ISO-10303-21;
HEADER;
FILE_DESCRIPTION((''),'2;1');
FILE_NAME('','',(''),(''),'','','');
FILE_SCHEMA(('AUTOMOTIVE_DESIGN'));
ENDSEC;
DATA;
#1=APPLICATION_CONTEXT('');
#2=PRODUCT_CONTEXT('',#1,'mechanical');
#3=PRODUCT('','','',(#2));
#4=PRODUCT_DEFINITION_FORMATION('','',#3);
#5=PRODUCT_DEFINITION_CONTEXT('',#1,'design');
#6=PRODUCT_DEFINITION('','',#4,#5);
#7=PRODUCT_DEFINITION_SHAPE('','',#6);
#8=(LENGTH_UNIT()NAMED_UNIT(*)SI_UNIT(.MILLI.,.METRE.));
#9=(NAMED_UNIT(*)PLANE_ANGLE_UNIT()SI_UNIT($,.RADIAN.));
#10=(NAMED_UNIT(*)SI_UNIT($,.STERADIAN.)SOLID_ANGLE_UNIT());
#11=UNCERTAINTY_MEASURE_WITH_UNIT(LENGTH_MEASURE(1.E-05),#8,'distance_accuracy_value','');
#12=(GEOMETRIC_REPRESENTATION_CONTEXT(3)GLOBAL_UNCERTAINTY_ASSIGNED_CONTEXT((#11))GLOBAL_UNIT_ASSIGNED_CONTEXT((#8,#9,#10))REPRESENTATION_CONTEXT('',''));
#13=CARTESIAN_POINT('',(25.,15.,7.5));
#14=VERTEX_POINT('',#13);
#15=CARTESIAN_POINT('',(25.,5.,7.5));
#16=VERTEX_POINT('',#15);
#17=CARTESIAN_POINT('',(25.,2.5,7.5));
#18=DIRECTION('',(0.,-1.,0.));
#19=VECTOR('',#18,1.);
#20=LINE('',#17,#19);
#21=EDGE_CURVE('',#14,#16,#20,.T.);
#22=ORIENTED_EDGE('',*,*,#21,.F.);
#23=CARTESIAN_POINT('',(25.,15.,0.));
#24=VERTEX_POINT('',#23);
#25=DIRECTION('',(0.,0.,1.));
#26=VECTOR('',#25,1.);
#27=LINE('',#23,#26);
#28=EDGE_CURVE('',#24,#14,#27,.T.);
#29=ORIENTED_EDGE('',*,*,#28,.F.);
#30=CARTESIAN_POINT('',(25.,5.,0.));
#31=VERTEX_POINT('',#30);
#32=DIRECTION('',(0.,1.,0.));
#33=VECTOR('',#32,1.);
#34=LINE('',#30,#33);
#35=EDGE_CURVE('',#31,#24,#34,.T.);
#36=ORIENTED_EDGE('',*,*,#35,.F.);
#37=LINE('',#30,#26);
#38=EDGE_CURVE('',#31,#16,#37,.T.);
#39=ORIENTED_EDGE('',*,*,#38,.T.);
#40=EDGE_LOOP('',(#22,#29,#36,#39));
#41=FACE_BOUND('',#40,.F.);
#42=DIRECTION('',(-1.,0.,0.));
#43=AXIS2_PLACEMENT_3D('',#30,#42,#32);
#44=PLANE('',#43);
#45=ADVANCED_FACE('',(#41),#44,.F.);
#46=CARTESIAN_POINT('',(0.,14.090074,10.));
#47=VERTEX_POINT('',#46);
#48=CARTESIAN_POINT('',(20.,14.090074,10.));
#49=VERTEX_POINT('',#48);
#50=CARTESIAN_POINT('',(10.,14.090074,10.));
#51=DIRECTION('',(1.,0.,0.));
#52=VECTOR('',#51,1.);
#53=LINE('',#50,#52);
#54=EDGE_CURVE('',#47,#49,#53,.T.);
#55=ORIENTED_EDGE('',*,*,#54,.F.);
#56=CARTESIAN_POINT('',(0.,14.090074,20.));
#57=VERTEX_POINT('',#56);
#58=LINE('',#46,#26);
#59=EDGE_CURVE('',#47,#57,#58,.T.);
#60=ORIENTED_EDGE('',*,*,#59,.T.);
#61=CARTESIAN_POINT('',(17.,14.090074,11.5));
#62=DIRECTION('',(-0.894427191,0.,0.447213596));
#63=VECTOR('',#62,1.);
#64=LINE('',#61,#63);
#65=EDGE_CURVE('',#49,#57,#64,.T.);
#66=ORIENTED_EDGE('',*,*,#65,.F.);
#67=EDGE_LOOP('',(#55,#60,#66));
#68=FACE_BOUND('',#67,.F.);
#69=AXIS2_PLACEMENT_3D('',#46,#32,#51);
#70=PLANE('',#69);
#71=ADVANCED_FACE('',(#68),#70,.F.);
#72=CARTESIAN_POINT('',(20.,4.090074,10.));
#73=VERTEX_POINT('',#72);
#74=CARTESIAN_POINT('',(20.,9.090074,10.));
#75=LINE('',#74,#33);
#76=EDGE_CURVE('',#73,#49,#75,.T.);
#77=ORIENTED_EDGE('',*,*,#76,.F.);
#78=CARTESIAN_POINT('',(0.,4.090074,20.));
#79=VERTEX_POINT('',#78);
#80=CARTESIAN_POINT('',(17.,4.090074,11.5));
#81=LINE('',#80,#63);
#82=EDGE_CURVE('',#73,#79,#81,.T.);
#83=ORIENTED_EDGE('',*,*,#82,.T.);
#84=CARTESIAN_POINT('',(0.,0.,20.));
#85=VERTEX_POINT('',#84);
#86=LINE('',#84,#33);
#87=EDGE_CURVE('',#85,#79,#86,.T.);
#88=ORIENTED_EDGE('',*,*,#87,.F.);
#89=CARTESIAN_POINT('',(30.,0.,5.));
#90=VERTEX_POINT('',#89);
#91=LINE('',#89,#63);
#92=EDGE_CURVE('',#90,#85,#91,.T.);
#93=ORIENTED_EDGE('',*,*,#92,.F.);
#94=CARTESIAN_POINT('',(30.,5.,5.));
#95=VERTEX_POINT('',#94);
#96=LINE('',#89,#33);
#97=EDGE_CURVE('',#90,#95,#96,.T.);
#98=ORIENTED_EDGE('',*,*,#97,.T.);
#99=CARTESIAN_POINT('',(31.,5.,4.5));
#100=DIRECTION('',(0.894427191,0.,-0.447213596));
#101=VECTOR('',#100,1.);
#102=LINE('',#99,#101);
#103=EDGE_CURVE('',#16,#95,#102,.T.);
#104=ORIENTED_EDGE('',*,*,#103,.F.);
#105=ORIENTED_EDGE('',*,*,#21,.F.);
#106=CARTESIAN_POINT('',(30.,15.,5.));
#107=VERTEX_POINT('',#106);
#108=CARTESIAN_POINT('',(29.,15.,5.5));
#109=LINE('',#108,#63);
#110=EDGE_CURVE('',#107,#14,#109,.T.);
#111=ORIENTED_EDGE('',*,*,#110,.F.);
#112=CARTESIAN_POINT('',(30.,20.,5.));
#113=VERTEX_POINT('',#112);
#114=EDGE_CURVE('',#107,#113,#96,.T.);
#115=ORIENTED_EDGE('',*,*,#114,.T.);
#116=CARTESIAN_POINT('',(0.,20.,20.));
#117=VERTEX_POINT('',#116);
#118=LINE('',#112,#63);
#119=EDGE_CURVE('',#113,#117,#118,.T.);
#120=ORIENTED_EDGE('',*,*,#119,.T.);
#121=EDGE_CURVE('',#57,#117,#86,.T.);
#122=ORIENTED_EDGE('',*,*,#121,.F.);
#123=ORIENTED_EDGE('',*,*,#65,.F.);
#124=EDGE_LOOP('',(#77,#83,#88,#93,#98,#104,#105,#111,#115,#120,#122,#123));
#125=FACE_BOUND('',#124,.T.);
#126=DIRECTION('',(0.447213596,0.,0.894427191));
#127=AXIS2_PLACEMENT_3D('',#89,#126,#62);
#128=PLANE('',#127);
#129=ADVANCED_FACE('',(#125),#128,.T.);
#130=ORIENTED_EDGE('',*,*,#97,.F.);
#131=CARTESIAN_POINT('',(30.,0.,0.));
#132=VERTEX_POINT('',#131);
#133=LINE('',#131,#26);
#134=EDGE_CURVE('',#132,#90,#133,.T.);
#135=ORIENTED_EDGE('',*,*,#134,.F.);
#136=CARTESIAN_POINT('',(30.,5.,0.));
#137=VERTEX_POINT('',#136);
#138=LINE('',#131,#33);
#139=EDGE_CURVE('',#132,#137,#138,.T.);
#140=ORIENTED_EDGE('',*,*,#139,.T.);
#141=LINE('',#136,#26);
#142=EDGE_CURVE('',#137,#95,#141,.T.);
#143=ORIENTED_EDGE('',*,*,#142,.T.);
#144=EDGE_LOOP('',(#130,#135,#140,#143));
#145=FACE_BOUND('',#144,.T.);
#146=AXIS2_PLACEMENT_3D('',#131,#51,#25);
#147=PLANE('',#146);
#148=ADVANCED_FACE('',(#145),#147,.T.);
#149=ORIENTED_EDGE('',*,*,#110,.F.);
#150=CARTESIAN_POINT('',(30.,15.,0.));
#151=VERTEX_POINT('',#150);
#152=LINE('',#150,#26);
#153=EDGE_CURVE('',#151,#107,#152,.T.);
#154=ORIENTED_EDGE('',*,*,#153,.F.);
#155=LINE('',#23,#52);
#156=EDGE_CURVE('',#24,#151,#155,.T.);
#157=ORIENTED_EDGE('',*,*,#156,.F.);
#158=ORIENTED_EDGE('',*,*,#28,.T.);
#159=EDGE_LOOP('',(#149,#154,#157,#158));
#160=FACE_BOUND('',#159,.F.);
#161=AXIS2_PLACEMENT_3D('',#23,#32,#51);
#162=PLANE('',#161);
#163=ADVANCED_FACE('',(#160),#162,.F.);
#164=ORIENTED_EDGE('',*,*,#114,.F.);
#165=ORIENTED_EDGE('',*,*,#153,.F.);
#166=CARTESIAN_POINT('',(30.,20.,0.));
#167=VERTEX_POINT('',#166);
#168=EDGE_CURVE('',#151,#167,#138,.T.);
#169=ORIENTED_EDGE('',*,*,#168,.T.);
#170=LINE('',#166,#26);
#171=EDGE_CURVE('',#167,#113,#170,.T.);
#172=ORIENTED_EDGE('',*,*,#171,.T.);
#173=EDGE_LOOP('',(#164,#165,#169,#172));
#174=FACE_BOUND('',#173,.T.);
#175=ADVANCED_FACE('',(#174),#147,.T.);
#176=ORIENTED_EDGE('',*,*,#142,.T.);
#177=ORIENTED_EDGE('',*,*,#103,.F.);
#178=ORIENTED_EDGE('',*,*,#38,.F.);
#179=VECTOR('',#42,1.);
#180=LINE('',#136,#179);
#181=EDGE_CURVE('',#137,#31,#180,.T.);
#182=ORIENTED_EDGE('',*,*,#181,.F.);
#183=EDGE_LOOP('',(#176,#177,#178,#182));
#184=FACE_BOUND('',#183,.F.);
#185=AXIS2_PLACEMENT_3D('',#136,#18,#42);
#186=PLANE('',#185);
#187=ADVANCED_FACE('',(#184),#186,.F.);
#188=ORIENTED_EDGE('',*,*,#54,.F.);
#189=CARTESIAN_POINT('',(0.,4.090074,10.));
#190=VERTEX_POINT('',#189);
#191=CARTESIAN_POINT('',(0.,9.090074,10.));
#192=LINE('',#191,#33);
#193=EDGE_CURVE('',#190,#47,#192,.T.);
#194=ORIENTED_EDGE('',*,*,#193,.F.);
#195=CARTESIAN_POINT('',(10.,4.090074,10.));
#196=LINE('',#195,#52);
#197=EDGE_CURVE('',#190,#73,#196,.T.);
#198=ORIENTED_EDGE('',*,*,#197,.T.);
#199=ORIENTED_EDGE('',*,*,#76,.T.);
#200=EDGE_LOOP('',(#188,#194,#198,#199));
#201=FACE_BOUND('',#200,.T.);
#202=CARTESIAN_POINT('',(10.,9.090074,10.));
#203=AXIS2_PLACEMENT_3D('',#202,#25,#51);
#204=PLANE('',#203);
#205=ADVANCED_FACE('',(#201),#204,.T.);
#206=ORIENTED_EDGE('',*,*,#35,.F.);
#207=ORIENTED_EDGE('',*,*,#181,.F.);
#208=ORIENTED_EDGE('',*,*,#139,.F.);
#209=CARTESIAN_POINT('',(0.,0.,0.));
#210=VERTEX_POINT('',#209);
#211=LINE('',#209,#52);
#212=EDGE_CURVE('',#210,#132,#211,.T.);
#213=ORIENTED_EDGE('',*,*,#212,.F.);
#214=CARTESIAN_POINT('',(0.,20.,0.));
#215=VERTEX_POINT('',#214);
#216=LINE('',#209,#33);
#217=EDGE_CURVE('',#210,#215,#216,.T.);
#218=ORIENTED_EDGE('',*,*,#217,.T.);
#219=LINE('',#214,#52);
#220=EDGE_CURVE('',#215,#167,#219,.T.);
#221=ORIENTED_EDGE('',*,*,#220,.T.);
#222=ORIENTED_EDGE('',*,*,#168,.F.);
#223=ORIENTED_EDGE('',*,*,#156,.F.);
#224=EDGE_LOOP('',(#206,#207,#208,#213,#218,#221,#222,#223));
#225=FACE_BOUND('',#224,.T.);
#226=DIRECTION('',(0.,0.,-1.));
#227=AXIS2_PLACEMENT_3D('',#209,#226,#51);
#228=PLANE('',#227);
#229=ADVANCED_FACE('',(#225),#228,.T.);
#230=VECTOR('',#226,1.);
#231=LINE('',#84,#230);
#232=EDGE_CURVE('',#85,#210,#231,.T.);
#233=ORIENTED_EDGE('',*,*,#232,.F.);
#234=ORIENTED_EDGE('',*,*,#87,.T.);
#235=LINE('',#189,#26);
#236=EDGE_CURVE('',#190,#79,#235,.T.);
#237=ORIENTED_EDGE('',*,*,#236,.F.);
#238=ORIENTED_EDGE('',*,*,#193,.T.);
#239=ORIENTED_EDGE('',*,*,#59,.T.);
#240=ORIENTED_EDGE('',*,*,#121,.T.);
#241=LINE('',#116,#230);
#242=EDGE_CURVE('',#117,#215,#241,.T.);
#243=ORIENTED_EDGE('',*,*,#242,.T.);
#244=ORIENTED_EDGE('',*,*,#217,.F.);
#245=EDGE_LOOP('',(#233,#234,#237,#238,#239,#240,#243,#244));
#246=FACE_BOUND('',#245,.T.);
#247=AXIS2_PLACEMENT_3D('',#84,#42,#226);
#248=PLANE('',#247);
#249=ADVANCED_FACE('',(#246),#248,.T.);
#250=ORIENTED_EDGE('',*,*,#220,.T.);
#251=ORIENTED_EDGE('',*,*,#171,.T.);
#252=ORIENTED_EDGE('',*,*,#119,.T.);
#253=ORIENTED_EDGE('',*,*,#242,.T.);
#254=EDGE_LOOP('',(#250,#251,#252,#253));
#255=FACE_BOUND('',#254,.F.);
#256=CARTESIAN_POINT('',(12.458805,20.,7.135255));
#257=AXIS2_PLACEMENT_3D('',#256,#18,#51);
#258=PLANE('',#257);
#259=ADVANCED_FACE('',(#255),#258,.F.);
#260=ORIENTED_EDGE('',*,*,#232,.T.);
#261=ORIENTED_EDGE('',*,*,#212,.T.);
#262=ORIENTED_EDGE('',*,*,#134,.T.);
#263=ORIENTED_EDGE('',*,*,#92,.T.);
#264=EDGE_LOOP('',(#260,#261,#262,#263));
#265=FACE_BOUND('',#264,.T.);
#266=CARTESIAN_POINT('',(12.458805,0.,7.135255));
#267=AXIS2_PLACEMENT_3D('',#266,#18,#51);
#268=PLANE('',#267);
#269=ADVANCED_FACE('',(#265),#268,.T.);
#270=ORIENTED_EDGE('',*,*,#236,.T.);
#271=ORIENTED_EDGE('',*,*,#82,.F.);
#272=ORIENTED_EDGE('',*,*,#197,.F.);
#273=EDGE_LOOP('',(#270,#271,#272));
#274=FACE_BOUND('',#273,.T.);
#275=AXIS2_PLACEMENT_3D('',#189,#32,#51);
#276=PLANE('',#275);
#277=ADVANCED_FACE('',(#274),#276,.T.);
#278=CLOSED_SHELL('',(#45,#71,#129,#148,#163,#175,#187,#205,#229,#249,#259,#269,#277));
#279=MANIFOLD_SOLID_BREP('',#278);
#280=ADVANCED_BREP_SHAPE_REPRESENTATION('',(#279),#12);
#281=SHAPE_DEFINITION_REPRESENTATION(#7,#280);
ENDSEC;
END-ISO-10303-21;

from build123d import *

# Parameters (mm, degrees)
F1_DEPTH = 20
F3_START = 10
F2_W     = 20
F2_H     = 10
F3_DEPTH = 15
F5_DEPTH = 25


with BuildPart() as f1:
    # F0 (on Front) → F1 (new body)
    with BuildSketch(Plane.XZ):
        Polygon((0, 20), (0, 0), (30, 0), (30, 5), align=None)
    extrude(amount=-F1_DEPTH)

    # F2 (on Top) → F3 (cut)
    with BuildSketch(Plane.XY.offset(F3_START)):
        with Locations((10, 9.0900742263)):
            Rectangle(F2_W, F2_H)
    extrude(amount=F3_DEPTH, mode=Mode.SUBTRACT)

    # F4 (on face) → F5 (cut)
    with BuildSketch(Plane(origin=(0, 0, 0), x_dir=(1, 0, 0), z_dir=(0, 0, -1))):
        Polygon((33.2950390875, -15), (30, -5), (25, -5), (25, -15), align=None)
    extrude(amount=-F5_DEPTH, mode=Mode.SUBTRACT)


solid = f1.part
